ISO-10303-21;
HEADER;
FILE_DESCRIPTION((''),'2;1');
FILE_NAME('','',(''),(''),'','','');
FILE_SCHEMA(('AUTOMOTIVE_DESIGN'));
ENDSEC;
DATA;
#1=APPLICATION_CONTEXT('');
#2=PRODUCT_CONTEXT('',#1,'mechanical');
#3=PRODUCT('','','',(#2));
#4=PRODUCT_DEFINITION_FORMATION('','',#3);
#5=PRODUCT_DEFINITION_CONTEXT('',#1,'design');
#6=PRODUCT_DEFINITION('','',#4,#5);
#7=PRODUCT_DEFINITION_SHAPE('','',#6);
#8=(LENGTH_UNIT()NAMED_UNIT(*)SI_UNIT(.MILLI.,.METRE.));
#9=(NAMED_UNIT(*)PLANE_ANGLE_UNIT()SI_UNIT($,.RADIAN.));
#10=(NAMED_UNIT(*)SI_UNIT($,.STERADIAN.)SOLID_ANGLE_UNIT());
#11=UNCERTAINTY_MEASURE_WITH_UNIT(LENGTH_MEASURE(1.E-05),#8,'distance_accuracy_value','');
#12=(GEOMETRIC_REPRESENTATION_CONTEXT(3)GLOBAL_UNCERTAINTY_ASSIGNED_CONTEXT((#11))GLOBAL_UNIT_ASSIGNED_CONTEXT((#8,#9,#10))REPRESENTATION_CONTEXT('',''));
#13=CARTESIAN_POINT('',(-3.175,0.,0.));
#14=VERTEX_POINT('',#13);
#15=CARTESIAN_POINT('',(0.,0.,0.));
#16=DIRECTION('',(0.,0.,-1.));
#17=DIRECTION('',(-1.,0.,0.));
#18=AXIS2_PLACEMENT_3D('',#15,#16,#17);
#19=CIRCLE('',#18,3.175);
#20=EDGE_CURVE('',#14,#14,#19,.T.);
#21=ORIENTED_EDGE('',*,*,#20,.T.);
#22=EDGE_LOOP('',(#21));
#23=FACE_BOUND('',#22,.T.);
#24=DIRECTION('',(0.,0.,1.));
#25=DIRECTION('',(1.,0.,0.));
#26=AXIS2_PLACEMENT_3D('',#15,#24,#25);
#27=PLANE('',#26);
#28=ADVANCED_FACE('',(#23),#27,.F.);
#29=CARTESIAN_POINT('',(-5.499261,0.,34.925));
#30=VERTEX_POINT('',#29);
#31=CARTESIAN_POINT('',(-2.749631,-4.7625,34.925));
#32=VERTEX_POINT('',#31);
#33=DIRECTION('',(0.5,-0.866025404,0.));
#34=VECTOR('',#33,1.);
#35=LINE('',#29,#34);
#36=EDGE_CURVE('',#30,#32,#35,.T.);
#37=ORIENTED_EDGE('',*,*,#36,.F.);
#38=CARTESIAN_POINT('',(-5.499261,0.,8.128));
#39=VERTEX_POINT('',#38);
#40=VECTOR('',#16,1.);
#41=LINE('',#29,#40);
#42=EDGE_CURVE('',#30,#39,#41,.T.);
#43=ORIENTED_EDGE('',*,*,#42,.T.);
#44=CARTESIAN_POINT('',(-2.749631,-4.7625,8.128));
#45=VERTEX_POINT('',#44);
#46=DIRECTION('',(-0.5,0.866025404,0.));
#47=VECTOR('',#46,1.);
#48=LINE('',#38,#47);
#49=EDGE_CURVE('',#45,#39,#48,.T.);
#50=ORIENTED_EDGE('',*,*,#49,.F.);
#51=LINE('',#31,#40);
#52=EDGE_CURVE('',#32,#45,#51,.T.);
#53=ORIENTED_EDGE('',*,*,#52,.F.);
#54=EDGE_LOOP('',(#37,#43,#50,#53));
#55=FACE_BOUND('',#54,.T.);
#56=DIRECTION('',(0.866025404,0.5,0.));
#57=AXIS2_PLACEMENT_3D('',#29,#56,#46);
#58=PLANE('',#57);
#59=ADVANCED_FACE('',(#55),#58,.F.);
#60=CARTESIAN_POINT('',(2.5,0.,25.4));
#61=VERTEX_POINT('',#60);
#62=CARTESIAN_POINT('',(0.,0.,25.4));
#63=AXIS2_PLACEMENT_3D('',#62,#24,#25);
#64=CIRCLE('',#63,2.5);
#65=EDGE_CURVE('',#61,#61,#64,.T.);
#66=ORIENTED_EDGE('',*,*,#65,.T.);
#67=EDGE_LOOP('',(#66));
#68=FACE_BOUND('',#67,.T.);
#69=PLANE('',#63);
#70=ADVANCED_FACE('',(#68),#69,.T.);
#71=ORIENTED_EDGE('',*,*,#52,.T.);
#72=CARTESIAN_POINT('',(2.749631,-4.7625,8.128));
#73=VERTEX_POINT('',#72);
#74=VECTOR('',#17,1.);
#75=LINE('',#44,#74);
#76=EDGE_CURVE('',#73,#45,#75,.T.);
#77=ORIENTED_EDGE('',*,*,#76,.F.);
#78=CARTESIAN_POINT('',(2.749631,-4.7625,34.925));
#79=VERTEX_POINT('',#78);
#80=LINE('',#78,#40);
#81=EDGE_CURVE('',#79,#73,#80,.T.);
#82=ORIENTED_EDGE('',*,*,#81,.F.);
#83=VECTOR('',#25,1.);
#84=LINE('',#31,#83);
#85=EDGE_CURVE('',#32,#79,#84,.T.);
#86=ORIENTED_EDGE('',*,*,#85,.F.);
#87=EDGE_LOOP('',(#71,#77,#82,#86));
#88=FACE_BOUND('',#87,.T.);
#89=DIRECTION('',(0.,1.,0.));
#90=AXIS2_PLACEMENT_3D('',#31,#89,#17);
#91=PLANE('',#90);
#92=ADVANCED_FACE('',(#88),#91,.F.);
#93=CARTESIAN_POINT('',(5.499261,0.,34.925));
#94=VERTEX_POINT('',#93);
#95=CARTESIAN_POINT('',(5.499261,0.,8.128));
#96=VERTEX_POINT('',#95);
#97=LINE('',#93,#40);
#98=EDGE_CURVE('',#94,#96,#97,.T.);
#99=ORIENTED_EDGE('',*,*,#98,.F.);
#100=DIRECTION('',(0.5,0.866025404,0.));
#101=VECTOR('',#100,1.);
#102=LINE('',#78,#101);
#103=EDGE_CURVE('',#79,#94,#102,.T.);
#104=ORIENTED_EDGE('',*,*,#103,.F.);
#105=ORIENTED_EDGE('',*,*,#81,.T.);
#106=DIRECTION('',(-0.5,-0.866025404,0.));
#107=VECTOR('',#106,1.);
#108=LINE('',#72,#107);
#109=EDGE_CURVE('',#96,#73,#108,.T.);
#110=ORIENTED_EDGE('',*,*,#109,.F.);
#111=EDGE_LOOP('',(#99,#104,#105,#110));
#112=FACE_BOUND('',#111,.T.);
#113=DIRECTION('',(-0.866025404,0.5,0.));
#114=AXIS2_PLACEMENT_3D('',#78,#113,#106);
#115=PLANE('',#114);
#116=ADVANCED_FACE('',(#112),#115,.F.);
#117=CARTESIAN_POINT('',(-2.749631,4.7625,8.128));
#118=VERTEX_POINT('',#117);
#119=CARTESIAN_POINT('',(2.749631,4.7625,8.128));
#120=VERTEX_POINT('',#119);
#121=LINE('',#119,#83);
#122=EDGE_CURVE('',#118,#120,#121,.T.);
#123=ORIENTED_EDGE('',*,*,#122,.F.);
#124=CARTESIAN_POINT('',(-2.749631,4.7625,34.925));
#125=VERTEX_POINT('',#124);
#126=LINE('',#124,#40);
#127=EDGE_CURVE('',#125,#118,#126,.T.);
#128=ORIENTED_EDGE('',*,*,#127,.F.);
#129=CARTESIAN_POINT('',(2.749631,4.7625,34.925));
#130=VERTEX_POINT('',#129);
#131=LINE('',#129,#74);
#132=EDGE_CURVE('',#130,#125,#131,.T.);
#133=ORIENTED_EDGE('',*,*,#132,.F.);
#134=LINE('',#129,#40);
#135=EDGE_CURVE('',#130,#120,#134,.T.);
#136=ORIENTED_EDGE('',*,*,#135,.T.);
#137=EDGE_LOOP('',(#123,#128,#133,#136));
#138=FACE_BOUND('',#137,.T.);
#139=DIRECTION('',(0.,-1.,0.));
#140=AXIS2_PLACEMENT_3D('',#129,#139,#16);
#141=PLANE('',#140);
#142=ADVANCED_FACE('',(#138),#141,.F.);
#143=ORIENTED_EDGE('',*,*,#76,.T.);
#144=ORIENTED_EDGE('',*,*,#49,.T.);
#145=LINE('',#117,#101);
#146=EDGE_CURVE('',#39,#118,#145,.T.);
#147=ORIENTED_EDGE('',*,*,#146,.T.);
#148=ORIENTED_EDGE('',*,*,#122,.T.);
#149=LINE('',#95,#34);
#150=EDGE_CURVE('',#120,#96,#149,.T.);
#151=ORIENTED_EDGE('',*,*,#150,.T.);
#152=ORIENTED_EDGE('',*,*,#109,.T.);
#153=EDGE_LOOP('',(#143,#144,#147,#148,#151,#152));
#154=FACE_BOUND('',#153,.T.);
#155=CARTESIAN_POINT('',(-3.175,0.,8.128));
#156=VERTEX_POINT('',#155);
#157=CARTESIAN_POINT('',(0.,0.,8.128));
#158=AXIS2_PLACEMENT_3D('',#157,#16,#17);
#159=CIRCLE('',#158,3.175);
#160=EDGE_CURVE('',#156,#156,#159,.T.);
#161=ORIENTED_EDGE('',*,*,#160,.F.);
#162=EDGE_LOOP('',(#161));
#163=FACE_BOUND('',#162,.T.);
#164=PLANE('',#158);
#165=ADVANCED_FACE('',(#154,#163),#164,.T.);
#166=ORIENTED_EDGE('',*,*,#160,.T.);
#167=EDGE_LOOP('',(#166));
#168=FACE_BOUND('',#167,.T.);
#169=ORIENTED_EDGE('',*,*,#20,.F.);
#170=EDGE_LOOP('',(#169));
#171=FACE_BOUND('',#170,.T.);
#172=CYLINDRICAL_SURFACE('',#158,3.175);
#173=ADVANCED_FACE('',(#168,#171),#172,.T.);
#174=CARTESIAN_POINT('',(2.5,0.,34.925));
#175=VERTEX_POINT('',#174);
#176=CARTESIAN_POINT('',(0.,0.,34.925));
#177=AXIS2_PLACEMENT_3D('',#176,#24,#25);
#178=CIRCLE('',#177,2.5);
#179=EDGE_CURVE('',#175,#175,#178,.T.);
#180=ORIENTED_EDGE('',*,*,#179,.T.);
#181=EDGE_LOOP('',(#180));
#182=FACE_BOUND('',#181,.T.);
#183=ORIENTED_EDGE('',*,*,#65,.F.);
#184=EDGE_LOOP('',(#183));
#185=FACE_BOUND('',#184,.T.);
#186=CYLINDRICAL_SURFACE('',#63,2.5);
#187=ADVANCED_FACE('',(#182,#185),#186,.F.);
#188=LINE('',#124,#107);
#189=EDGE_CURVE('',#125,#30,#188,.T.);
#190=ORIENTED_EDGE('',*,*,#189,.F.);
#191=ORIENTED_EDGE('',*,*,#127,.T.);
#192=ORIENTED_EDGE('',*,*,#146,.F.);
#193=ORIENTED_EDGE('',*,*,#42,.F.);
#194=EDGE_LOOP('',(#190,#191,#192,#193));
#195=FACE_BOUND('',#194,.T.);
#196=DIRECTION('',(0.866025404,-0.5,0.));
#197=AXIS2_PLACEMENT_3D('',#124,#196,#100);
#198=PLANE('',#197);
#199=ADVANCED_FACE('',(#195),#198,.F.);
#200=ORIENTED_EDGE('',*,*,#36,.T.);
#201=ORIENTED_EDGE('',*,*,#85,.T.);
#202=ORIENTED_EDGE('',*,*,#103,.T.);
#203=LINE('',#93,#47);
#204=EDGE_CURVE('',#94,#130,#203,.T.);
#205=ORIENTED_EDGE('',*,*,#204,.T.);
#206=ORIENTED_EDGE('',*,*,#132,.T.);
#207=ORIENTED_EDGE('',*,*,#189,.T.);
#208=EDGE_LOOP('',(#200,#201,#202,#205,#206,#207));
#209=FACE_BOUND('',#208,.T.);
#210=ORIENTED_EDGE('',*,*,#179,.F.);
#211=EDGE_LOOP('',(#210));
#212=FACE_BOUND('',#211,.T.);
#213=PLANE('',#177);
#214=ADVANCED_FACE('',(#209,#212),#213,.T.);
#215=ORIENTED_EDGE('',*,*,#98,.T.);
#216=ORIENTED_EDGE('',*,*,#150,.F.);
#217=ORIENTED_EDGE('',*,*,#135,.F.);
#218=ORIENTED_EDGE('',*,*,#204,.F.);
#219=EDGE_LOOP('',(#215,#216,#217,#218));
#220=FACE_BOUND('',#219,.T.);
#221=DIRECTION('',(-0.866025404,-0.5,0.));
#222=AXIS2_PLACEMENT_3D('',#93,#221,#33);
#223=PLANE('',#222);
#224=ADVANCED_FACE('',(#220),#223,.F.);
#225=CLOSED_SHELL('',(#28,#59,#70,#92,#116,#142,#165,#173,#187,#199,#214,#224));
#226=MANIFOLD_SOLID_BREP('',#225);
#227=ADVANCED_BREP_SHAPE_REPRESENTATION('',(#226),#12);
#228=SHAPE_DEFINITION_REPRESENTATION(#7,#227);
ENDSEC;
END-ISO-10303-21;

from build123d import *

# Parameters (mm, degrees)
BOSS_EXTRUDE1_DEPTH = 34.925
SKETCH2_R           = 2.5
CUT_EXTRUDE1_DEPTH  = 9.525
SKETCH4_OUTSIDE_W   = 20.564
SKETCH4_OUTSIDE_H   = 19.091
SKETCH4_OUTSIDE_R   = 3.175
CUT_EXTRUDE2_DEPTH  = 8.128


with BuildPart() as part:
    # Sketch1 → Boss-Extrude1 (new body)
    with BuildSketch(Plane.XY):
        Polygon((2.749630657, -4.7625), (5.499261314, 0), (2.749630657, 4.7625), (-2.749630657, 4.7625), (-5.499261314, 0), (-2.749630657, -4.7625), align=None)
    extrude(amount=BOSS_EXTRUDE1_DEPTH)

    # Sketch2 → Cut-Extrude1 (cut)
    with BuildSketch(Plane.XY.offset(34.925)):
        Circle(SKETCH2_R)
    extrude(amount=-CUT_EXTRUDE1_DEPTH, mode=Mode.SUBTRACT)

    # Sketch4 outside → Cut-Extrude2 (cut)
    with BuildSketch(Plane(origin=(0, 0, 0), x_dir=(-1, 0, 0), z_dir=(0, 0, -1))):
        with Locations((0, -0.0005)):
            Rectangle(SKETCH4_OUTSIDE_W, SKETCH4_OUTSIDE_H)
        Circle(SKETCH4_OUTSIDE_R, mode=Mode.SUBTRACT)
    extrude(amount=-CUT_EXTRUDE2_DEPTH, mode=Mode.SUBTRACT)


solid = part.part
